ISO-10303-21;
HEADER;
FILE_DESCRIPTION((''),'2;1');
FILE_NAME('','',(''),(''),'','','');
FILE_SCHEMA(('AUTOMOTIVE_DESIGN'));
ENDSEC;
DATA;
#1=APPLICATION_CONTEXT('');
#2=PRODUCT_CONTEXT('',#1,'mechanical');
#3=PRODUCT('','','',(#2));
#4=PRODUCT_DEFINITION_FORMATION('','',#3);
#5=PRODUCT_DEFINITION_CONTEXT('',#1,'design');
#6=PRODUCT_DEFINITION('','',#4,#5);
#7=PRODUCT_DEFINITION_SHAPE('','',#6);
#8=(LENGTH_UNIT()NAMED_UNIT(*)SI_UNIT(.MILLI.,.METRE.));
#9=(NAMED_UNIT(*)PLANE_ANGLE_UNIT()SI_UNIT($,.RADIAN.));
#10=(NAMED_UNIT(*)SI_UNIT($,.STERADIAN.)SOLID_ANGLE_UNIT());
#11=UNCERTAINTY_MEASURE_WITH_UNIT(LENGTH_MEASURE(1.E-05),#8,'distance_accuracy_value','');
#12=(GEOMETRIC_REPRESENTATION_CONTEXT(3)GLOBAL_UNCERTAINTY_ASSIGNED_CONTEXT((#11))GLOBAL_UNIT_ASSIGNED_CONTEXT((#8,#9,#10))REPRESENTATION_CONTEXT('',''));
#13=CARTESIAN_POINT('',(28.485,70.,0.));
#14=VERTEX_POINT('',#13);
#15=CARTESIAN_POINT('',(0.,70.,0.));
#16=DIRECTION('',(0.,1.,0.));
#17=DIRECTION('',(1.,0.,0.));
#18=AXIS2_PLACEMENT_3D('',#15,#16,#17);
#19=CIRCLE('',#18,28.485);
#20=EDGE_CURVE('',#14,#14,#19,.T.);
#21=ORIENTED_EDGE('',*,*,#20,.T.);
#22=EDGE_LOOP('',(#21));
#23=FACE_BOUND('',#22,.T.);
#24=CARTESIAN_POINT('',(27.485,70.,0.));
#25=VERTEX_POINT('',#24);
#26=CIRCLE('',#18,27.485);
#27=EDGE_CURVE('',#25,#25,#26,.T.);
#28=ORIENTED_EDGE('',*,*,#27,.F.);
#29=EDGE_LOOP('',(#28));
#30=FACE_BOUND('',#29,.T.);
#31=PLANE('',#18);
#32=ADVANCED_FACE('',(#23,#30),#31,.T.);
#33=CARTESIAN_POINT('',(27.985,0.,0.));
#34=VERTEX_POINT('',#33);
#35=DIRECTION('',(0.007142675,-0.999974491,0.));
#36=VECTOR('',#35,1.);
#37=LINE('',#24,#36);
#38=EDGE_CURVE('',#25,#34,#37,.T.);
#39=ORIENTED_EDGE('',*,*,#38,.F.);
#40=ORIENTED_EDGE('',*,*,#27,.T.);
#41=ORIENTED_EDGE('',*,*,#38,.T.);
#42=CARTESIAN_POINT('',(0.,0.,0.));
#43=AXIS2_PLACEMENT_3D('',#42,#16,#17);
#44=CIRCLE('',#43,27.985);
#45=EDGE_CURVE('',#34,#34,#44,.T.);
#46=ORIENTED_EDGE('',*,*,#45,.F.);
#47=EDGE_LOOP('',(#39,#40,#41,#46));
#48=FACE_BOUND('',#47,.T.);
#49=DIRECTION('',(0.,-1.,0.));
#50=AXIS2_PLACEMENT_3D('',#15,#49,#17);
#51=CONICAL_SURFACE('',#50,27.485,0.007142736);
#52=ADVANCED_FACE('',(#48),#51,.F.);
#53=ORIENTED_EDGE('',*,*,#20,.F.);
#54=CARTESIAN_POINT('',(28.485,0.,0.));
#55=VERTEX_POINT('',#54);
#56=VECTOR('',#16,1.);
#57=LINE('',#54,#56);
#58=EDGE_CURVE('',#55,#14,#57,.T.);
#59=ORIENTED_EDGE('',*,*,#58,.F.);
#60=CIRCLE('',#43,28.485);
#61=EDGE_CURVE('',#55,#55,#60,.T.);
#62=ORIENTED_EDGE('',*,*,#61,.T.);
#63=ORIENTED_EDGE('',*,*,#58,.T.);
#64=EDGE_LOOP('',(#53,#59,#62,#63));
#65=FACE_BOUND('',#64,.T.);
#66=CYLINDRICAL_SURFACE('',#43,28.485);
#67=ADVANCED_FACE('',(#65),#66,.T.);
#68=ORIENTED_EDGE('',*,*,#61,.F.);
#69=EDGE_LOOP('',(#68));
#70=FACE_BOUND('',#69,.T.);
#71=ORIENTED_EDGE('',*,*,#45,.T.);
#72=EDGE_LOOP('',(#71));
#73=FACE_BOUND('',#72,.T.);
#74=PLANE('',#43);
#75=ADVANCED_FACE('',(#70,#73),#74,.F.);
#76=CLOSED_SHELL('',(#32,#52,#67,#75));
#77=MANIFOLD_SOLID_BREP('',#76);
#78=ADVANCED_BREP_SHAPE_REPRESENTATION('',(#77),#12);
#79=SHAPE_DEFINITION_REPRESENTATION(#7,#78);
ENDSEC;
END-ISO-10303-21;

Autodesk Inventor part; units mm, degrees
ref_plane "YZ Plane" through (0, 0, 0) normal (1, 0, 0) x (0, 1, 0)
ref_plane "XZ Plane" through (0, 0, 0) normal (0, 1, 0) x (-1, 0, 0)
ref_plane "XY Plane" through (0, 0, 0) normal (0, 0, 1) x (1, 0, 0)
sketch "Sketch1" plane through (0, 0, 0) normal (0, 0, 1) x (1, 0, 0)
  line L0 (0, 0) -> (28.485, 0)
  line L1 (0, 0) -> (28.485, 0) construction
  line L2 (28.485, 0) -> (28.485, 70)
  line L3 (28.485, 70) -> (27.485, 70)
  line L4 (27.485, 70) -> (27.985, 0)
  line L5 (0, 0) -> (0, 1)
  dimension "d0" = 28.485
  dimension "d1" = 0
  dimension "d2" = 70
  dimension "d3" = 1
  dimension "d4" = 1
revolve "Revolution1" add sketch "Sketch1" angle 360 about axis through (0, 0, 0) along (0, 1, 0)
properties part number "Part 2 of Focusrite Microphone"
